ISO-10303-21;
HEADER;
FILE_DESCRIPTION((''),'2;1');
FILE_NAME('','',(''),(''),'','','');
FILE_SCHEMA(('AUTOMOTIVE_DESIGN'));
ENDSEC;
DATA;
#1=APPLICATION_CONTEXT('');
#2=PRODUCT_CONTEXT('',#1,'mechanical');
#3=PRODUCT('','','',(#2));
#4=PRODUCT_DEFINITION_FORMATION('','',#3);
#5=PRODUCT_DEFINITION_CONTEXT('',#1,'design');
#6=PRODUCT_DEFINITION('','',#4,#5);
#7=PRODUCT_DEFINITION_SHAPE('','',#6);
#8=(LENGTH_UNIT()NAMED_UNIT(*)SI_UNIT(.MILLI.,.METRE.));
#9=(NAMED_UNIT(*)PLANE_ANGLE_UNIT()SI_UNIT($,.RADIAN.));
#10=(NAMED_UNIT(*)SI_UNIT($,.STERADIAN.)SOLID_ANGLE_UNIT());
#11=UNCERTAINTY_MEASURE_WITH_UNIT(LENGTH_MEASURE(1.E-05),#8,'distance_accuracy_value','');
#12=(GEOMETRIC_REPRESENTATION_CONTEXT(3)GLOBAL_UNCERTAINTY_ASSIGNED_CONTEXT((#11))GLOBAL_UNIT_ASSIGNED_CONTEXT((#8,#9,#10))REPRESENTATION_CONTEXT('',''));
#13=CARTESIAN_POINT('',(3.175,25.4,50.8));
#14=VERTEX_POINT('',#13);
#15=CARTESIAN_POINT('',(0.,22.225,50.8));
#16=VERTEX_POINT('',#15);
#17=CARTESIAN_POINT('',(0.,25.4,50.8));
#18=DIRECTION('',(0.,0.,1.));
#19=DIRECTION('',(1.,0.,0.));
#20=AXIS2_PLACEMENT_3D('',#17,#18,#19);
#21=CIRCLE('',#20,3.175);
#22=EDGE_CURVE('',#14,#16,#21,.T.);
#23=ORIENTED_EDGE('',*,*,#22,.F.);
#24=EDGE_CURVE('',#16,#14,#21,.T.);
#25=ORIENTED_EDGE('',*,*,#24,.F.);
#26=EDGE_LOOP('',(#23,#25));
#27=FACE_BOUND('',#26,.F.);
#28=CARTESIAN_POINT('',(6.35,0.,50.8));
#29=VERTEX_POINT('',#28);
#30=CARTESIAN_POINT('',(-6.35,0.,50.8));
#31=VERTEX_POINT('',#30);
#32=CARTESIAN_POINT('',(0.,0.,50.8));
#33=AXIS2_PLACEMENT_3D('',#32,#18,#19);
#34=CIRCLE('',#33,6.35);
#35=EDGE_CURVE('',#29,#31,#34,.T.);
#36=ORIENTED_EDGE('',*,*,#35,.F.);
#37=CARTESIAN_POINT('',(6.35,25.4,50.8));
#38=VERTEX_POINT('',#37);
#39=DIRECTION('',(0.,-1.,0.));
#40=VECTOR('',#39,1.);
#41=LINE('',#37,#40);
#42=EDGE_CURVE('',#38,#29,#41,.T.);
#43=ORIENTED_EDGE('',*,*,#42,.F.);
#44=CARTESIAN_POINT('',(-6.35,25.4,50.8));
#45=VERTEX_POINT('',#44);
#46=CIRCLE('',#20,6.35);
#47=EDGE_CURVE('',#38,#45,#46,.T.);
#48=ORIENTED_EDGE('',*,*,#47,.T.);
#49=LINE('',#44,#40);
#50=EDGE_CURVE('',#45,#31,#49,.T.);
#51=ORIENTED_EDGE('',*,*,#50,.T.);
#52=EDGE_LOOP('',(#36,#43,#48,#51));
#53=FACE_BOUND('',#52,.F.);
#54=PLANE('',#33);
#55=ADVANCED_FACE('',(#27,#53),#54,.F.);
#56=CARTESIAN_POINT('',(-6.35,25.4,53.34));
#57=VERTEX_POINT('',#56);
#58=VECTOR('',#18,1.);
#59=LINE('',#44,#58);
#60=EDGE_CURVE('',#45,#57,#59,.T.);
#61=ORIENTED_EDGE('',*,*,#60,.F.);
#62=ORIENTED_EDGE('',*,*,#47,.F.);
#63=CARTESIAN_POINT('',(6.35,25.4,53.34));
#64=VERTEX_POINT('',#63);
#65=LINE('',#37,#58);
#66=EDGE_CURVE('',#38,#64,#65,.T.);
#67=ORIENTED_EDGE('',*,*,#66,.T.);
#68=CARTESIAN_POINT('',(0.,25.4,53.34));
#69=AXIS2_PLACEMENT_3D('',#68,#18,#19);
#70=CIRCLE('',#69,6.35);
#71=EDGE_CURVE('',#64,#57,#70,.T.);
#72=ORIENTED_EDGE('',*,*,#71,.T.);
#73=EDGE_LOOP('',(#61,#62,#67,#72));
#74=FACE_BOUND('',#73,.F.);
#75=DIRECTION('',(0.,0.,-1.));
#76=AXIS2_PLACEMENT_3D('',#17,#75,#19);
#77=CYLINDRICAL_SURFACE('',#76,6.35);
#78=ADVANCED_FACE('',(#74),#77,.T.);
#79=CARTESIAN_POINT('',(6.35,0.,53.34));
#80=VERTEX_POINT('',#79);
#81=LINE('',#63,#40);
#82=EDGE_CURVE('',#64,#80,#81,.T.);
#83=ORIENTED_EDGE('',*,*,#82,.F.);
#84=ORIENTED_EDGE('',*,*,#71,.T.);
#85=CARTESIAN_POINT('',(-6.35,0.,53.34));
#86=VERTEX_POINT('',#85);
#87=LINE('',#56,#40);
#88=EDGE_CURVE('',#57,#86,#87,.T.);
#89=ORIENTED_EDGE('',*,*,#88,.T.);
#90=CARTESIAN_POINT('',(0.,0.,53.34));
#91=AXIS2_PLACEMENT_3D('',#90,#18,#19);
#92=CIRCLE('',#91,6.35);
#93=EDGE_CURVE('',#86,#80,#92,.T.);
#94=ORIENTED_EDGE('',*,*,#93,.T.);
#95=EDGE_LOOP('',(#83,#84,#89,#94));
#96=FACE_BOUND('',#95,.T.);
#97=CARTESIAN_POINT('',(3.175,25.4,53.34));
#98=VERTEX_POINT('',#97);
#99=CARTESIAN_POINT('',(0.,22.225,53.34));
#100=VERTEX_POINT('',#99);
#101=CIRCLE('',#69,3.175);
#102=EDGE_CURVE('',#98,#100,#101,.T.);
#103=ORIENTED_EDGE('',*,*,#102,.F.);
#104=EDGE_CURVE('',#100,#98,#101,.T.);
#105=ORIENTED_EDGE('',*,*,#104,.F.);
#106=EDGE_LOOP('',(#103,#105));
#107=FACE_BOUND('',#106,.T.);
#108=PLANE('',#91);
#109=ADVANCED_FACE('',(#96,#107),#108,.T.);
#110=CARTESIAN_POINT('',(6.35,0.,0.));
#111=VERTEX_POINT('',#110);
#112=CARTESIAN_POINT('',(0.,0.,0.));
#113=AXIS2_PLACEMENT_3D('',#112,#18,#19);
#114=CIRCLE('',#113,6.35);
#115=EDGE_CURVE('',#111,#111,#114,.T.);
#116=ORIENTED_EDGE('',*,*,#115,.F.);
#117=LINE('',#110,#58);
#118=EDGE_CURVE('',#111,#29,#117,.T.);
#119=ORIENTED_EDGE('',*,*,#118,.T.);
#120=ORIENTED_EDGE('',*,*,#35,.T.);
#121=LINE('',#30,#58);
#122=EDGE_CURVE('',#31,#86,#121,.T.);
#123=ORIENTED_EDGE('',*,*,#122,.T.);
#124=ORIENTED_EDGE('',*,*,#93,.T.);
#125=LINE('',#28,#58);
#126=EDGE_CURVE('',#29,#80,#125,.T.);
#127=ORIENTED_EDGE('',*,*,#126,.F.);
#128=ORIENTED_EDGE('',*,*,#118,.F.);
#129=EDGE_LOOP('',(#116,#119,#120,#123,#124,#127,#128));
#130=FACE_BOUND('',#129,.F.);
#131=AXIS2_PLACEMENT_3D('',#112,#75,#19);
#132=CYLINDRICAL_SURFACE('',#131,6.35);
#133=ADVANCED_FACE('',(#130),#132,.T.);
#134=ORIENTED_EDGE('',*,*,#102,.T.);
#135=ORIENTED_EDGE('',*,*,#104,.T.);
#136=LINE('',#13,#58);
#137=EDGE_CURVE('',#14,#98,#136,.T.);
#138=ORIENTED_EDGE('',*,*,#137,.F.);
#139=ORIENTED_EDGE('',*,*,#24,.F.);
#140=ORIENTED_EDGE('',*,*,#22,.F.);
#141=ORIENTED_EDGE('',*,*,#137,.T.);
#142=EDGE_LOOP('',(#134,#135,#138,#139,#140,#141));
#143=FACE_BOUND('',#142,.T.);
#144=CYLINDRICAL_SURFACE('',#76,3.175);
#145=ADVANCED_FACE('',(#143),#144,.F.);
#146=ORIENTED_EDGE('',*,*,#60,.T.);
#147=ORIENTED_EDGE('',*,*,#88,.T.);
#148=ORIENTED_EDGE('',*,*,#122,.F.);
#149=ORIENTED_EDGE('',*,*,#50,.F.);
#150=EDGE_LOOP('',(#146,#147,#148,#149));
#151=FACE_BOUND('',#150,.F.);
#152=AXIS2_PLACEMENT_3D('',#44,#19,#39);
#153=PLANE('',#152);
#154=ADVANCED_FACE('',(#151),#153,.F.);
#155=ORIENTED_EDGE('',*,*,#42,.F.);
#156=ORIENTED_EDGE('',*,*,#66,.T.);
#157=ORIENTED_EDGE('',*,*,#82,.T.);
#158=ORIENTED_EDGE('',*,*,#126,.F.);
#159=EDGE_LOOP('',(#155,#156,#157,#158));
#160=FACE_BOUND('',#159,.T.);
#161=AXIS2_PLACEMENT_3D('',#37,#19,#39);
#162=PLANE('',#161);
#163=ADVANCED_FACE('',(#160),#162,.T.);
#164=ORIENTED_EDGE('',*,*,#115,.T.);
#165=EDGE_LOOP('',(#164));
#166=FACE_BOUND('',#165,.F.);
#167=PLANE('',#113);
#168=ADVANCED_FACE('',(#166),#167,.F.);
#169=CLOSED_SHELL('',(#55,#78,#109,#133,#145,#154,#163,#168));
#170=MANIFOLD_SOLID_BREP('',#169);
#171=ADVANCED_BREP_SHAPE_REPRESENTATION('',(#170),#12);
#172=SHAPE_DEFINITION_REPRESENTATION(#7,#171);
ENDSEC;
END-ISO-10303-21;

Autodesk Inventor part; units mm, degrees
ref_plane "YZ Plane" through (0, 0, 0) normal (1, 0, 0) x (0, 1, 0)
ref_plane "XZ Plane" through (0, 0, 0) normal (0, 1, 0) x (-1, 0, 0)
ref_plane "XY Plane" through (0, 0, 0) normal (0, 0, 1) x (1, 0, 0)
sketch "Sketch1" plane through (0, 0, 0) normal (0, 0, 1) x (1, 0, 0)
  circle A0 centre (0, 0) radius 6.35
  dimension "d0" = 12.7
extrude "Extrusion1" add sketch "Sketch1" along normal blind 50.8
sketch "Sketch2" plane through (0, 0, 50.8) normal (0, 0, 1) x (1, 0, 0)
  circle A0 centre (0, 0) radius 6.35 projected
  line L0 (0, 0) -> (0, 25.4)
  circle A1 centre (0, 25.4) radius 6.35
  line L1 (-6.35, 25.4) -> (-6.35, 0)
  line L2 (6.35, 25.4) -> (6.35, 0)
  circle A2 centre (0, 25.4) radius 3.175
  dimension "d3" = 25.4
  dimension "d6" = 6.35
extrude "Extrusion2" add sketch "Sketch2" along normal blind 2.54
properties part number "main rack connection"
